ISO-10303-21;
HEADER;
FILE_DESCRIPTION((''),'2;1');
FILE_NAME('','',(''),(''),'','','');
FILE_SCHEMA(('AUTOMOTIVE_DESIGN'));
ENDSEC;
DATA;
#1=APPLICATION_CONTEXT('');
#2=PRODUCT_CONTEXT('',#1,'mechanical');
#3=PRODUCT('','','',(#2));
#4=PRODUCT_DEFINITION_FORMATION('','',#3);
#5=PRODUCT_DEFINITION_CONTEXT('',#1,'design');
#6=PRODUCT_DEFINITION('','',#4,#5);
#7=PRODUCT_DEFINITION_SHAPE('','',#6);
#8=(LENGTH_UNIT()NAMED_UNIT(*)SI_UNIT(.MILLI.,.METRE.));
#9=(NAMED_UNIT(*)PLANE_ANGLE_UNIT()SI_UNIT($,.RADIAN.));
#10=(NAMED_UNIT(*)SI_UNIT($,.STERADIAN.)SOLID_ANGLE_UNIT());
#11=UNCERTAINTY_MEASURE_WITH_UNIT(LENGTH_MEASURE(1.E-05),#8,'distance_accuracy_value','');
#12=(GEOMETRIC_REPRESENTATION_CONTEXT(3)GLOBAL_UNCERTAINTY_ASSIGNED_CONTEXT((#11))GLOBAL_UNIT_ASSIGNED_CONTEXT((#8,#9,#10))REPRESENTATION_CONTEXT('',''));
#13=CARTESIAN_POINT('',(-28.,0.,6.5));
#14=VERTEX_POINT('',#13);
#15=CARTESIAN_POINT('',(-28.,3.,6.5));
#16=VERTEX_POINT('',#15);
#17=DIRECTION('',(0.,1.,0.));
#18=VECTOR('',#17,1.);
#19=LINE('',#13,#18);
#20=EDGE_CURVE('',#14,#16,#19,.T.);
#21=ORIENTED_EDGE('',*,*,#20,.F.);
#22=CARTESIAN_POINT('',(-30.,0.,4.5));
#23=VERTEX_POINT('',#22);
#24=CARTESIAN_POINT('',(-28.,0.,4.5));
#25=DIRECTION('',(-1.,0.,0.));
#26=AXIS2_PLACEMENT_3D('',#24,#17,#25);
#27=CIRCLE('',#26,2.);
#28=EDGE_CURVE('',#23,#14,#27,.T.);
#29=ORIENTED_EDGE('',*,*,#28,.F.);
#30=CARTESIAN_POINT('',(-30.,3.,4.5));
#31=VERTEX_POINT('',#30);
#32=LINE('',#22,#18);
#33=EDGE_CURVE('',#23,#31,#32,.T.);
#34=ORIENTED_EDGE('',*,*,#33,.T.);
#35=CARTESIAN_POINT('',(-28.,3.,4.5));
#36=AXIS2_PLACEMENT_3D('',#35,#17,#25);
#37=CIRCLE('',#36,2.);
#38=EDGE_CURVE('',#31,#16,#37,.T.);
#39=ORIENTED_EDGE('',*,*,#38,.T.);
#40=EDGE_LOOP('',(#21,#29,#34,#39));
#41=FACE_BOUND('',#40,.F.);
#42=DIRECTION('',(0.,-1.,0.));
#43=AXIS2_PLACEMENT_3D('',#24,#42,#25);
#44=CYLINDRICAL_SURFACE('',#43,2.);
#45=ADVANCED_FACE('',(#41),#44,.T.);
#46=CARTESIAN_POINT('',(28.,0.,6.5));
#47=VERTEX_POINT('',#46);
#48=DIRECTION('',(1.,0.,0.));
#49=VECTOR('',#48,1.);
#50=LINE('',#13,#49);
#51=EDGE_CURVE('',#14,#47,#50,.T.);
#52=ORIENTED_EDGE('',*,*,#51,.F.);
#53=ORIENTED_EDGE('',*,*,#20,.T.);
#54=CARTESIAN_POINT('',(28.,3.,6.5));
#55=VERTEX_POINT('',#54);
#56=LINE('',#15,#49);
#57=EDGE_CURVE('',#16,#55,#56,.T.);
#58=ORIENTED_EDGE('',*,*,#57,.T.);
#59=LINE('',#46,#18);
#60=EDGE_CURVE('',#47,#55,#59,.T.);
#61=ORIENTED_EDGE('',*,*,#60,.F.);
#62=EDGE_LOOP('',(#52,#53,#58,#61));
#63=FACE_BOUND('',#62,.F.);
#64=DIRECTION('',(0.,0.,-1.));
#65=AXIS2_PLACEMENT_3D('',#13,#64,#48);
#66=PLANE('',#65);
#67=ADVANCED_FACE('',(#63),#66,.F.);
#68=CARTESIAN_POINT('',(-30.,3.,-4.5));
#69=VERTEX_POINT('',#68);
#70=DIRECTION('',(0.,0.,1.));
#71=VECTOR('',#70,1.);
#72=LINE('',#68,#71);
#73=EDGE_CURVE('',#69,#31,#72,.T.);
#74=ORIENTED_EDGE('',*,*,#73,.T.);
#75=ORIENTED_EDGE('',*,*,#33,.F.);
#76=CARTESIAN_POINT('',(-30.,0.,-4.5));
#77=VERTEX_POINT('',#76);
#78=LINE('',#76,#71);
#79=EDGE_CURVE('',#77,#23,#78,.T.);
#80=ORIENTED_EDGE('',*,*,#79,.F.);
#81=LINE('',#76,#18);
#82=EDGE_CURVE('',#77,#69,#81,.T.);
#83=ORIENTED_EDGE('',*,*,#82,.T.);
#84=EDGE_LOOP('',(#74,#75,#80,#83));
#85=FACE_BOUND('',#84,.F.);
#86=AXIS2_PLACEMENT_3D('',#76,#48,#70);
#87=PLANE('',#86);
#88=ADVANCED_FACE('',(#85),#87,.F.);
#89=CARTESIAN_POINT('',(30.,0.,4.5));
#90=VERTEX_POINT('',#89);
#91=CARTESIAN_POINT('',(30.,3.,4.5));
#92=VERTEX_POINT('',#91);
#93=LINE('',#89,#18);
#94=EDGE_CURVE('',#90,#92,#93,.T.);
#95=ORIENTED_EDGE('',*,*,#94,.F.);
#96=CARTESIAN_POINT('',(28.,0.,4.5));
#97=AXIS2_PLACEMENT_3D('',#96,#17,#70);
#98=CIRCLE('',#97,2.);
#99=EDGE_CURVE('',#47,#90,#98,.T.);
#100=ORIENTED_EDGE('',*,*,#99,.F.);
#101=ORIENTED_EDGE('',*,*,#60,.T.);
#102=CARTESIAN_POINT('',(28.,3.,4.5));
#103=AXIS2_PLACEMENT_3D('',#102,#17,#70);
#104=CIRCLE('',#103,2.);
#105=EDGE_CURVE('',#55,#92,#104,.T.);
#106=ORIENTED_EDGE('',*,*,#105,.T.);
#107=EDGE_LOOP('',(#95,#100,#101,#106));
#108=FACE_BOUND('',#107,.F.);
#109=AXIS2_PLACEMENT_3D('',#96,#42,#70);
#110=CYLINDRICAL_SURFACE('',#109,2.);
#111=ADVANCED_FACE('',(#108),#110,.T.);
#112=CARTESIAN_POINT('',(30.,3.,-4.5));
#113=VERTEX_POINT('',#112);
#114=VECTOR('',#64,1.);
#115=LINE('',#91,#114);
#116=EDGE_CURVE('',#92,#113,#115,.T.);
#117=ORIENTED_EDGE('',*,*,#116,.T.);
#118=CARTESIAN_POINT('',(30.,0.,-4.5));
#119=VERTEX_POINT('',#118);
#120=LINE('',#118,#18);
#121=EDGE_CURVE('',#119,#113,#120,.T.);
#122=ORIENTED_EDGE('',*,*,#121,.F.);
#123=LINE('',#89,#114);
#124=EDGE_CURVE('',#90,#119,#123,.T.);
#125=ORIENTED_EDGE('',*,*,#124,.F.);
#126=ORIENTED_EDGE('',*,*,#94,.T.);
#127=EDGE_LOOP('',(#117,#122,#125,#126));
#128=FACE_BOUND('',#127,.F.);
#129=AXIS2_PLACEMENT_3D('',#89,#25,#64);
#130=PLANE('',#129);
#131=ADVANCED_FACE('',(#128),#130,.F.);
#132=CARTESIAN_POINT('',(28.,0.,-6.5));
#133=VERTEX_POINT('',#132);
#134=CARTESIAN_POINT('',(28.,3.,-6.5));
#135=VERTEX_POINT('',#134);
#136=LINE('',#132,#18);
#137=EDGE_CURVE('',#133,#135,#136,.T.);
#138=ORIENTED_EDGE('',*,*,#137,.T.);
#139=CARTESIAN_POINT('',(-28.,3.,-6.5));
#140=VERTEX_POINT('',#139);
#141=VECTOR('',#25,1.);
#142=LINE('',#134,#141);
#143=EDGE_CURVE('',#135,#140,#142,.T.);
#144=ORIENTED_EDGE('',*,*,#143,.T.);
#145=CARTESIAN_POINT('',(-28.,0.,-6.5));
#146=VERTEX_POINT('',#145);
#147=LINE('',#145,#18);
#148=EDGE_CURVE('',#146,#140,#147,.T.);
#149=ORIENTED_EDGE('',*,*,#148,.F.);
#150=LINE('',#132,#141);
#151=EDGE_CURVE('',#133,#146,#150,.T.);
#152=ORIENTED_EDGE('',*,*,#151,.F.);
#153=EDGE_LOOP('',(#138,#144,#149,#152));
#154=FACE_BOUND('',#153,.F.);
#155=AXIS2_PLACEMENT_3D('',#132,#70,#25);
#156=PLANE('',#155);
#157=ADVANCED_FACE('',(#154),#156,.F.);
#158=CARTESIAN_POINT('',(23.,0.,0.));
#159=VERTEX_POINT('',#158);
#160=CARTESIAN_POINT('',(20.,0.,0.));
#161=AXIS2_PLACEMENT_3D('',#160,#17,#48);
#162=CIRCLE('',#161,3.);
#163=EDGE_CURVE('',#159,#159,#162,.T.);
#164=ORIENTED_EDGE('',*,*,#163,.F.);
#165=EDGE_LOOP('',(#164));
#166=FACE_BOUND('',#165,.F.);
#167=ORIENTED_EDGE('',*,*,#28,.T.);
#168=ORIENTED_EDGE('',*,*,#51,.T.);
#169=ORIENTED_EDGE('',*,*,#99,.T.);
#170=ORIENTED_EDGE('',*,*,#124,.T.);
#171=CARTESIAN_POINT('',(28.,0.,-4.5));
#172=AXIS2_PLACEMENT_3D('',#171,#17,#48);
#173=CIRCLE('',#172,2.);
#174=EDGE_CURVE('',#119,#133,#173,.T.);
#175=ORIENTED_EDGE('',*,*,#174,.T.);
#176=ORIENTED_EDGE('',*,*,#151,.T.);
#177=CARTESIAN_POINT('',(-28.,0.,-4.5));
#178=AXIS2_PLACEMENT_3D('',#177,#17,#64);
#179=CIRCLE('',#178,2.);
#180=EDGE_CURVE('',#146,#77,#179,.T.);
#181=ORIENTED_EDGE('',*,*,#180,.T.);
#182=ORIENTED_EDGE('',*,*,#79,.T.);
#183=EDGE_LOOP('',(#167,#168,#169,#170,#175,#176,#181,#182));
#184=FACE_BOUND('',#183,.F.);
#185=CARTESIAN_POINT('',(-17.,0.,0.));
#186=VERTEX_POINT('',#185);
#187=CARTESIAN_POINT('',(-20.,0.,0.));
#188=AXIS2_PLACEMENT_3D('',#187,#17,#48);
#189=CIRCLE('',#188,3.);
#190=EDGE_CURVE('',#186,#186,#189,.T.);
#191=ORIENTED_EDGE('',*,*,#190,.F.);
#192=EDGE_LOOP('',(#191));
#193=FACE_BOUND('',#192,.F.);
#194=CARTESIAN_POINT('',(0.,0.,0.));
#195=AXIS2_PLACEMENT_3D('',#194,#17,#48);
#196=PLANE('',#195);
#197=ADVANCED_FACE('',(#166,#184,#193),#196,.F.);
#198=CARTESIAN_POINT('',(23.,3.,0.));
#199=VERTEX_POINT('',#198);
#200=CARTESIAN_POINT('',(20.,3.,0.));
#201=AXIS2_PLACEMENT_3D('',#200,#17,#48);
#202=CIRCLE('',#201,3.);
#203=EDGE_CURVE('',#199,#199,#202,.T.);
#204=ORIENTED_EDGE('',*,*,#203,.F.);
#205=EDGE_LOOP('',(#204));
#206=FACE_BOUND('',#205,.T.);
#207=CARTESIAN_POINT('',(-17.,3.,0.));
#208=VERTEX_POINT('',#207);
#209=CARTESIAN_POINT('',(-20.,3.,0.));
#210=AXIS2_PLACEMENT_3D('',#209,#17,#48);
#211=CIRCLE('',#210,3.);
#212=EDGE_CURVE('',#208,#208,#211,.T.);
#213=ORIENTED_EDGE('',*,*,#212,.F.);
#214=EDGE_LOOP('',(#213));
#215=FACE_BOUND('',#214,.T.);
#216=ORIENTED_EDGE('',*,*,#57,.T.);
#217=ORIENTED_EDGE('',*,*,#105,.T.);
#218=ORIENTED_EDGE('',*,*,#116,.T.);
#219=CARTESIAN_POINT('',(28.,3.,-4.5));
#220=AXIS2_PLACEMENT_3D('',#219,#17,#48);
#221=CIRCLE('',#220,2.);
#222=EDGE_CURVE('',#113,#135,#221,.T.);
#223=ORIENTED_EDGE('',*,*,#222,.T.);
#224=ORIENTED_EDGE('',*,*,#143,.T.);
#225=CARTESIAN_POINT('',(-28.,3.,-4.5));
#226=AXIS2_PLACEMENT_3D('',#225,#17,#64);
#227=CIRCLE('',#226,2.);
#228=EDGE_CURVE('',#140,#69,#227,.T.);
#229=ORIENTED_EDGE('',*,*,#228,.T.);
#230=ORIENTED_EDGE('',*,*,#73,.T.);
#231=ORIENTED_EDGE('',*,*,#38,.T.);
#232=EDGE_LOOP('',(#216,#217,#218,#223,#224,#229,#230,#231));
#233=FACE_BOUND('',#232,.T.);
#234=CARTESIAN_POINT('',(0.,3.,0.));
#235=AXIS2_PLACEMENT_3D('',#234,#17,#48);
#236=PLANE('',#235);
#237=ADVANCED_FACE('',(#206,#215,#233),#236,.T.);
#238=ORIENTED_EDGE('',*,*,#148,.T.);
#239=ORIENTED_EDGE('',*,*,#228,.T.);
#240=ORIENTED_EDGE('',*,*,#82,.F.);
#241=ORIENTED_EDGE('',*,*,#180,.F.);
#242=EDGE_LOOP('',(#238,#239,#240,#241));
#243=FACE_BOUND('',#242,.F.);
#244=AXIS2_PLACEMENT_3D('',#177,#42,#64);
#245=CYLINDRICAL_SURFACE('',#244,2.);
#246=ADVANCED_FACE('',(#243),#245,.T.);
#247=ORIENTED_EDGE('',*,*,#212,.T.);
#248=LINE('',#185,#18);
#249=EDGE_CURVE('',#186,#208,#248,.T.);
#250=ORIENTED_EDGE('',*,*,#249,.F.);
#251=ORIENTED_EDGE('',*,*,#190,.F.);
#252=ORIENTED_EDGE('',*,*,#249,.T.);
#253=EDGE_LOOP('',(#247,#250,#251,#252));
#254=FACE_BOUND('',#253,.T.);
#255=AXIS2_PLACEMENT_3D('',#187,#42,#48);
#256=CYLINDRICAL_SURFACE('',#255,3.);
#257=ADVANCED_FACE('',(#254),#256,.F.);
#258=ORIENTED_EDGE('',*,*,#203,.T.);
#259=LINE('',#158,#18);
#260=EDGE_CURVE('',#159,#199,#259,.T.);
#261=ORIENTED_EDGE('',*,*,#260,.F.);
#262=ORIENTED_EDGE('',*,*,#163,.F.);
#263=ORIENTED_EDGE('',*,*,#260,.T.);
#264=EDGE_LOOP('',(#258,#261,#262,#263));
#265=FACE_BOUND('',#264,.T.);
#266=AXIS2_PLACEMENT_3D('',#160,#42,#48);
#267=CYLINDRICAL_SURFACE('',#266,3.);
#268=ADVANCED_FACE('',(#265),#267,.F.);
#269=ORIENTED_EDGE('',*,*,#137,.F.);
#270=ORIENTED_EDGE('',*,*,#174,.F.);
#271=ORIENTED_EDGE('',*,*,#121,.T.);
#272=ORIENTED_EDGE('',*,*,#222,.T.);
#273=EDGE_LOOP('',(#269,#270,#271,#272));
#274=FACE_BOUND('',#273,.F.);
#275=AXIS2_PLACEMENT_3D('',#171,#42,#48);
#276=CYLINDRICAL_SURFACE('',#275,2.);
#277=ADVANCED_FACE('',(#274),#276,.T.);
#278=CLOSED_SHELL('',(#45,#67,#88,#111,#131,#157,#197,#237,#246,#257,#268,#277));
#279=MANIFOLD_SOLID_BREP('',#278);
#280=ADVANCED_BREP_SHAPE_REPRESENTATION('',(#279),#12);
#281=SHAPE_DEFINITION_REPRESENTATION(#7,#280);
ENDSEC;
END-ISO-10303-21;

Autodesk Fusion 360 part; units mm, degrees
sketch "Sketch1" plane through (0, 0, 0) normal (0, 1, 0) x (1, 0, 0)
  line L0 (28, 6.5) -> (-28, 6.5)
  line L1 (-30, 4.5) -> (-30, -4.5)
  line L2 (-28, -6.5) -> (28, -6.5)
  line L3 (30, -4.5) -> (30, 4.5)
  line L4 (30, 6.5) -> (-30, -6.5) construction
  line L5 (-30, 6.5) -> (30, -6.5) construction
  arc A0 (-30, -4.5) -> (-28, -6.5) centre (-28, -4.5) ccw
  arc A1 (28, -6.5) -> (30, -4.5) centre (28, -4.5) ccw
  arc A2 (30, 4.5) -> (28, 6.5) centre (28, 4.5) ccw
  arc A3 (-28, 6.5) -> (-30, 4.5) centre (-28, 4.5) ccw
  line L6 (0, 0) -> (20, 0) construction
  line L7 (0, 0) -> (-20, 0) construction
  circle A4 centre (20, 0) radius 3
  circle A5 centre (-20, 0) radius 3
  dimension "d1" = 60
  dimension "d2" = 13
  dimension "d3" = 2
  dimension "d4" = 2
  dimension "d5" = 20
  dimension "d6" = 20
  dimension "d7" = 6
  dimension "d8" = 6
extrude "Extrude1" add sketch "Sketch1" along normal blind 3
